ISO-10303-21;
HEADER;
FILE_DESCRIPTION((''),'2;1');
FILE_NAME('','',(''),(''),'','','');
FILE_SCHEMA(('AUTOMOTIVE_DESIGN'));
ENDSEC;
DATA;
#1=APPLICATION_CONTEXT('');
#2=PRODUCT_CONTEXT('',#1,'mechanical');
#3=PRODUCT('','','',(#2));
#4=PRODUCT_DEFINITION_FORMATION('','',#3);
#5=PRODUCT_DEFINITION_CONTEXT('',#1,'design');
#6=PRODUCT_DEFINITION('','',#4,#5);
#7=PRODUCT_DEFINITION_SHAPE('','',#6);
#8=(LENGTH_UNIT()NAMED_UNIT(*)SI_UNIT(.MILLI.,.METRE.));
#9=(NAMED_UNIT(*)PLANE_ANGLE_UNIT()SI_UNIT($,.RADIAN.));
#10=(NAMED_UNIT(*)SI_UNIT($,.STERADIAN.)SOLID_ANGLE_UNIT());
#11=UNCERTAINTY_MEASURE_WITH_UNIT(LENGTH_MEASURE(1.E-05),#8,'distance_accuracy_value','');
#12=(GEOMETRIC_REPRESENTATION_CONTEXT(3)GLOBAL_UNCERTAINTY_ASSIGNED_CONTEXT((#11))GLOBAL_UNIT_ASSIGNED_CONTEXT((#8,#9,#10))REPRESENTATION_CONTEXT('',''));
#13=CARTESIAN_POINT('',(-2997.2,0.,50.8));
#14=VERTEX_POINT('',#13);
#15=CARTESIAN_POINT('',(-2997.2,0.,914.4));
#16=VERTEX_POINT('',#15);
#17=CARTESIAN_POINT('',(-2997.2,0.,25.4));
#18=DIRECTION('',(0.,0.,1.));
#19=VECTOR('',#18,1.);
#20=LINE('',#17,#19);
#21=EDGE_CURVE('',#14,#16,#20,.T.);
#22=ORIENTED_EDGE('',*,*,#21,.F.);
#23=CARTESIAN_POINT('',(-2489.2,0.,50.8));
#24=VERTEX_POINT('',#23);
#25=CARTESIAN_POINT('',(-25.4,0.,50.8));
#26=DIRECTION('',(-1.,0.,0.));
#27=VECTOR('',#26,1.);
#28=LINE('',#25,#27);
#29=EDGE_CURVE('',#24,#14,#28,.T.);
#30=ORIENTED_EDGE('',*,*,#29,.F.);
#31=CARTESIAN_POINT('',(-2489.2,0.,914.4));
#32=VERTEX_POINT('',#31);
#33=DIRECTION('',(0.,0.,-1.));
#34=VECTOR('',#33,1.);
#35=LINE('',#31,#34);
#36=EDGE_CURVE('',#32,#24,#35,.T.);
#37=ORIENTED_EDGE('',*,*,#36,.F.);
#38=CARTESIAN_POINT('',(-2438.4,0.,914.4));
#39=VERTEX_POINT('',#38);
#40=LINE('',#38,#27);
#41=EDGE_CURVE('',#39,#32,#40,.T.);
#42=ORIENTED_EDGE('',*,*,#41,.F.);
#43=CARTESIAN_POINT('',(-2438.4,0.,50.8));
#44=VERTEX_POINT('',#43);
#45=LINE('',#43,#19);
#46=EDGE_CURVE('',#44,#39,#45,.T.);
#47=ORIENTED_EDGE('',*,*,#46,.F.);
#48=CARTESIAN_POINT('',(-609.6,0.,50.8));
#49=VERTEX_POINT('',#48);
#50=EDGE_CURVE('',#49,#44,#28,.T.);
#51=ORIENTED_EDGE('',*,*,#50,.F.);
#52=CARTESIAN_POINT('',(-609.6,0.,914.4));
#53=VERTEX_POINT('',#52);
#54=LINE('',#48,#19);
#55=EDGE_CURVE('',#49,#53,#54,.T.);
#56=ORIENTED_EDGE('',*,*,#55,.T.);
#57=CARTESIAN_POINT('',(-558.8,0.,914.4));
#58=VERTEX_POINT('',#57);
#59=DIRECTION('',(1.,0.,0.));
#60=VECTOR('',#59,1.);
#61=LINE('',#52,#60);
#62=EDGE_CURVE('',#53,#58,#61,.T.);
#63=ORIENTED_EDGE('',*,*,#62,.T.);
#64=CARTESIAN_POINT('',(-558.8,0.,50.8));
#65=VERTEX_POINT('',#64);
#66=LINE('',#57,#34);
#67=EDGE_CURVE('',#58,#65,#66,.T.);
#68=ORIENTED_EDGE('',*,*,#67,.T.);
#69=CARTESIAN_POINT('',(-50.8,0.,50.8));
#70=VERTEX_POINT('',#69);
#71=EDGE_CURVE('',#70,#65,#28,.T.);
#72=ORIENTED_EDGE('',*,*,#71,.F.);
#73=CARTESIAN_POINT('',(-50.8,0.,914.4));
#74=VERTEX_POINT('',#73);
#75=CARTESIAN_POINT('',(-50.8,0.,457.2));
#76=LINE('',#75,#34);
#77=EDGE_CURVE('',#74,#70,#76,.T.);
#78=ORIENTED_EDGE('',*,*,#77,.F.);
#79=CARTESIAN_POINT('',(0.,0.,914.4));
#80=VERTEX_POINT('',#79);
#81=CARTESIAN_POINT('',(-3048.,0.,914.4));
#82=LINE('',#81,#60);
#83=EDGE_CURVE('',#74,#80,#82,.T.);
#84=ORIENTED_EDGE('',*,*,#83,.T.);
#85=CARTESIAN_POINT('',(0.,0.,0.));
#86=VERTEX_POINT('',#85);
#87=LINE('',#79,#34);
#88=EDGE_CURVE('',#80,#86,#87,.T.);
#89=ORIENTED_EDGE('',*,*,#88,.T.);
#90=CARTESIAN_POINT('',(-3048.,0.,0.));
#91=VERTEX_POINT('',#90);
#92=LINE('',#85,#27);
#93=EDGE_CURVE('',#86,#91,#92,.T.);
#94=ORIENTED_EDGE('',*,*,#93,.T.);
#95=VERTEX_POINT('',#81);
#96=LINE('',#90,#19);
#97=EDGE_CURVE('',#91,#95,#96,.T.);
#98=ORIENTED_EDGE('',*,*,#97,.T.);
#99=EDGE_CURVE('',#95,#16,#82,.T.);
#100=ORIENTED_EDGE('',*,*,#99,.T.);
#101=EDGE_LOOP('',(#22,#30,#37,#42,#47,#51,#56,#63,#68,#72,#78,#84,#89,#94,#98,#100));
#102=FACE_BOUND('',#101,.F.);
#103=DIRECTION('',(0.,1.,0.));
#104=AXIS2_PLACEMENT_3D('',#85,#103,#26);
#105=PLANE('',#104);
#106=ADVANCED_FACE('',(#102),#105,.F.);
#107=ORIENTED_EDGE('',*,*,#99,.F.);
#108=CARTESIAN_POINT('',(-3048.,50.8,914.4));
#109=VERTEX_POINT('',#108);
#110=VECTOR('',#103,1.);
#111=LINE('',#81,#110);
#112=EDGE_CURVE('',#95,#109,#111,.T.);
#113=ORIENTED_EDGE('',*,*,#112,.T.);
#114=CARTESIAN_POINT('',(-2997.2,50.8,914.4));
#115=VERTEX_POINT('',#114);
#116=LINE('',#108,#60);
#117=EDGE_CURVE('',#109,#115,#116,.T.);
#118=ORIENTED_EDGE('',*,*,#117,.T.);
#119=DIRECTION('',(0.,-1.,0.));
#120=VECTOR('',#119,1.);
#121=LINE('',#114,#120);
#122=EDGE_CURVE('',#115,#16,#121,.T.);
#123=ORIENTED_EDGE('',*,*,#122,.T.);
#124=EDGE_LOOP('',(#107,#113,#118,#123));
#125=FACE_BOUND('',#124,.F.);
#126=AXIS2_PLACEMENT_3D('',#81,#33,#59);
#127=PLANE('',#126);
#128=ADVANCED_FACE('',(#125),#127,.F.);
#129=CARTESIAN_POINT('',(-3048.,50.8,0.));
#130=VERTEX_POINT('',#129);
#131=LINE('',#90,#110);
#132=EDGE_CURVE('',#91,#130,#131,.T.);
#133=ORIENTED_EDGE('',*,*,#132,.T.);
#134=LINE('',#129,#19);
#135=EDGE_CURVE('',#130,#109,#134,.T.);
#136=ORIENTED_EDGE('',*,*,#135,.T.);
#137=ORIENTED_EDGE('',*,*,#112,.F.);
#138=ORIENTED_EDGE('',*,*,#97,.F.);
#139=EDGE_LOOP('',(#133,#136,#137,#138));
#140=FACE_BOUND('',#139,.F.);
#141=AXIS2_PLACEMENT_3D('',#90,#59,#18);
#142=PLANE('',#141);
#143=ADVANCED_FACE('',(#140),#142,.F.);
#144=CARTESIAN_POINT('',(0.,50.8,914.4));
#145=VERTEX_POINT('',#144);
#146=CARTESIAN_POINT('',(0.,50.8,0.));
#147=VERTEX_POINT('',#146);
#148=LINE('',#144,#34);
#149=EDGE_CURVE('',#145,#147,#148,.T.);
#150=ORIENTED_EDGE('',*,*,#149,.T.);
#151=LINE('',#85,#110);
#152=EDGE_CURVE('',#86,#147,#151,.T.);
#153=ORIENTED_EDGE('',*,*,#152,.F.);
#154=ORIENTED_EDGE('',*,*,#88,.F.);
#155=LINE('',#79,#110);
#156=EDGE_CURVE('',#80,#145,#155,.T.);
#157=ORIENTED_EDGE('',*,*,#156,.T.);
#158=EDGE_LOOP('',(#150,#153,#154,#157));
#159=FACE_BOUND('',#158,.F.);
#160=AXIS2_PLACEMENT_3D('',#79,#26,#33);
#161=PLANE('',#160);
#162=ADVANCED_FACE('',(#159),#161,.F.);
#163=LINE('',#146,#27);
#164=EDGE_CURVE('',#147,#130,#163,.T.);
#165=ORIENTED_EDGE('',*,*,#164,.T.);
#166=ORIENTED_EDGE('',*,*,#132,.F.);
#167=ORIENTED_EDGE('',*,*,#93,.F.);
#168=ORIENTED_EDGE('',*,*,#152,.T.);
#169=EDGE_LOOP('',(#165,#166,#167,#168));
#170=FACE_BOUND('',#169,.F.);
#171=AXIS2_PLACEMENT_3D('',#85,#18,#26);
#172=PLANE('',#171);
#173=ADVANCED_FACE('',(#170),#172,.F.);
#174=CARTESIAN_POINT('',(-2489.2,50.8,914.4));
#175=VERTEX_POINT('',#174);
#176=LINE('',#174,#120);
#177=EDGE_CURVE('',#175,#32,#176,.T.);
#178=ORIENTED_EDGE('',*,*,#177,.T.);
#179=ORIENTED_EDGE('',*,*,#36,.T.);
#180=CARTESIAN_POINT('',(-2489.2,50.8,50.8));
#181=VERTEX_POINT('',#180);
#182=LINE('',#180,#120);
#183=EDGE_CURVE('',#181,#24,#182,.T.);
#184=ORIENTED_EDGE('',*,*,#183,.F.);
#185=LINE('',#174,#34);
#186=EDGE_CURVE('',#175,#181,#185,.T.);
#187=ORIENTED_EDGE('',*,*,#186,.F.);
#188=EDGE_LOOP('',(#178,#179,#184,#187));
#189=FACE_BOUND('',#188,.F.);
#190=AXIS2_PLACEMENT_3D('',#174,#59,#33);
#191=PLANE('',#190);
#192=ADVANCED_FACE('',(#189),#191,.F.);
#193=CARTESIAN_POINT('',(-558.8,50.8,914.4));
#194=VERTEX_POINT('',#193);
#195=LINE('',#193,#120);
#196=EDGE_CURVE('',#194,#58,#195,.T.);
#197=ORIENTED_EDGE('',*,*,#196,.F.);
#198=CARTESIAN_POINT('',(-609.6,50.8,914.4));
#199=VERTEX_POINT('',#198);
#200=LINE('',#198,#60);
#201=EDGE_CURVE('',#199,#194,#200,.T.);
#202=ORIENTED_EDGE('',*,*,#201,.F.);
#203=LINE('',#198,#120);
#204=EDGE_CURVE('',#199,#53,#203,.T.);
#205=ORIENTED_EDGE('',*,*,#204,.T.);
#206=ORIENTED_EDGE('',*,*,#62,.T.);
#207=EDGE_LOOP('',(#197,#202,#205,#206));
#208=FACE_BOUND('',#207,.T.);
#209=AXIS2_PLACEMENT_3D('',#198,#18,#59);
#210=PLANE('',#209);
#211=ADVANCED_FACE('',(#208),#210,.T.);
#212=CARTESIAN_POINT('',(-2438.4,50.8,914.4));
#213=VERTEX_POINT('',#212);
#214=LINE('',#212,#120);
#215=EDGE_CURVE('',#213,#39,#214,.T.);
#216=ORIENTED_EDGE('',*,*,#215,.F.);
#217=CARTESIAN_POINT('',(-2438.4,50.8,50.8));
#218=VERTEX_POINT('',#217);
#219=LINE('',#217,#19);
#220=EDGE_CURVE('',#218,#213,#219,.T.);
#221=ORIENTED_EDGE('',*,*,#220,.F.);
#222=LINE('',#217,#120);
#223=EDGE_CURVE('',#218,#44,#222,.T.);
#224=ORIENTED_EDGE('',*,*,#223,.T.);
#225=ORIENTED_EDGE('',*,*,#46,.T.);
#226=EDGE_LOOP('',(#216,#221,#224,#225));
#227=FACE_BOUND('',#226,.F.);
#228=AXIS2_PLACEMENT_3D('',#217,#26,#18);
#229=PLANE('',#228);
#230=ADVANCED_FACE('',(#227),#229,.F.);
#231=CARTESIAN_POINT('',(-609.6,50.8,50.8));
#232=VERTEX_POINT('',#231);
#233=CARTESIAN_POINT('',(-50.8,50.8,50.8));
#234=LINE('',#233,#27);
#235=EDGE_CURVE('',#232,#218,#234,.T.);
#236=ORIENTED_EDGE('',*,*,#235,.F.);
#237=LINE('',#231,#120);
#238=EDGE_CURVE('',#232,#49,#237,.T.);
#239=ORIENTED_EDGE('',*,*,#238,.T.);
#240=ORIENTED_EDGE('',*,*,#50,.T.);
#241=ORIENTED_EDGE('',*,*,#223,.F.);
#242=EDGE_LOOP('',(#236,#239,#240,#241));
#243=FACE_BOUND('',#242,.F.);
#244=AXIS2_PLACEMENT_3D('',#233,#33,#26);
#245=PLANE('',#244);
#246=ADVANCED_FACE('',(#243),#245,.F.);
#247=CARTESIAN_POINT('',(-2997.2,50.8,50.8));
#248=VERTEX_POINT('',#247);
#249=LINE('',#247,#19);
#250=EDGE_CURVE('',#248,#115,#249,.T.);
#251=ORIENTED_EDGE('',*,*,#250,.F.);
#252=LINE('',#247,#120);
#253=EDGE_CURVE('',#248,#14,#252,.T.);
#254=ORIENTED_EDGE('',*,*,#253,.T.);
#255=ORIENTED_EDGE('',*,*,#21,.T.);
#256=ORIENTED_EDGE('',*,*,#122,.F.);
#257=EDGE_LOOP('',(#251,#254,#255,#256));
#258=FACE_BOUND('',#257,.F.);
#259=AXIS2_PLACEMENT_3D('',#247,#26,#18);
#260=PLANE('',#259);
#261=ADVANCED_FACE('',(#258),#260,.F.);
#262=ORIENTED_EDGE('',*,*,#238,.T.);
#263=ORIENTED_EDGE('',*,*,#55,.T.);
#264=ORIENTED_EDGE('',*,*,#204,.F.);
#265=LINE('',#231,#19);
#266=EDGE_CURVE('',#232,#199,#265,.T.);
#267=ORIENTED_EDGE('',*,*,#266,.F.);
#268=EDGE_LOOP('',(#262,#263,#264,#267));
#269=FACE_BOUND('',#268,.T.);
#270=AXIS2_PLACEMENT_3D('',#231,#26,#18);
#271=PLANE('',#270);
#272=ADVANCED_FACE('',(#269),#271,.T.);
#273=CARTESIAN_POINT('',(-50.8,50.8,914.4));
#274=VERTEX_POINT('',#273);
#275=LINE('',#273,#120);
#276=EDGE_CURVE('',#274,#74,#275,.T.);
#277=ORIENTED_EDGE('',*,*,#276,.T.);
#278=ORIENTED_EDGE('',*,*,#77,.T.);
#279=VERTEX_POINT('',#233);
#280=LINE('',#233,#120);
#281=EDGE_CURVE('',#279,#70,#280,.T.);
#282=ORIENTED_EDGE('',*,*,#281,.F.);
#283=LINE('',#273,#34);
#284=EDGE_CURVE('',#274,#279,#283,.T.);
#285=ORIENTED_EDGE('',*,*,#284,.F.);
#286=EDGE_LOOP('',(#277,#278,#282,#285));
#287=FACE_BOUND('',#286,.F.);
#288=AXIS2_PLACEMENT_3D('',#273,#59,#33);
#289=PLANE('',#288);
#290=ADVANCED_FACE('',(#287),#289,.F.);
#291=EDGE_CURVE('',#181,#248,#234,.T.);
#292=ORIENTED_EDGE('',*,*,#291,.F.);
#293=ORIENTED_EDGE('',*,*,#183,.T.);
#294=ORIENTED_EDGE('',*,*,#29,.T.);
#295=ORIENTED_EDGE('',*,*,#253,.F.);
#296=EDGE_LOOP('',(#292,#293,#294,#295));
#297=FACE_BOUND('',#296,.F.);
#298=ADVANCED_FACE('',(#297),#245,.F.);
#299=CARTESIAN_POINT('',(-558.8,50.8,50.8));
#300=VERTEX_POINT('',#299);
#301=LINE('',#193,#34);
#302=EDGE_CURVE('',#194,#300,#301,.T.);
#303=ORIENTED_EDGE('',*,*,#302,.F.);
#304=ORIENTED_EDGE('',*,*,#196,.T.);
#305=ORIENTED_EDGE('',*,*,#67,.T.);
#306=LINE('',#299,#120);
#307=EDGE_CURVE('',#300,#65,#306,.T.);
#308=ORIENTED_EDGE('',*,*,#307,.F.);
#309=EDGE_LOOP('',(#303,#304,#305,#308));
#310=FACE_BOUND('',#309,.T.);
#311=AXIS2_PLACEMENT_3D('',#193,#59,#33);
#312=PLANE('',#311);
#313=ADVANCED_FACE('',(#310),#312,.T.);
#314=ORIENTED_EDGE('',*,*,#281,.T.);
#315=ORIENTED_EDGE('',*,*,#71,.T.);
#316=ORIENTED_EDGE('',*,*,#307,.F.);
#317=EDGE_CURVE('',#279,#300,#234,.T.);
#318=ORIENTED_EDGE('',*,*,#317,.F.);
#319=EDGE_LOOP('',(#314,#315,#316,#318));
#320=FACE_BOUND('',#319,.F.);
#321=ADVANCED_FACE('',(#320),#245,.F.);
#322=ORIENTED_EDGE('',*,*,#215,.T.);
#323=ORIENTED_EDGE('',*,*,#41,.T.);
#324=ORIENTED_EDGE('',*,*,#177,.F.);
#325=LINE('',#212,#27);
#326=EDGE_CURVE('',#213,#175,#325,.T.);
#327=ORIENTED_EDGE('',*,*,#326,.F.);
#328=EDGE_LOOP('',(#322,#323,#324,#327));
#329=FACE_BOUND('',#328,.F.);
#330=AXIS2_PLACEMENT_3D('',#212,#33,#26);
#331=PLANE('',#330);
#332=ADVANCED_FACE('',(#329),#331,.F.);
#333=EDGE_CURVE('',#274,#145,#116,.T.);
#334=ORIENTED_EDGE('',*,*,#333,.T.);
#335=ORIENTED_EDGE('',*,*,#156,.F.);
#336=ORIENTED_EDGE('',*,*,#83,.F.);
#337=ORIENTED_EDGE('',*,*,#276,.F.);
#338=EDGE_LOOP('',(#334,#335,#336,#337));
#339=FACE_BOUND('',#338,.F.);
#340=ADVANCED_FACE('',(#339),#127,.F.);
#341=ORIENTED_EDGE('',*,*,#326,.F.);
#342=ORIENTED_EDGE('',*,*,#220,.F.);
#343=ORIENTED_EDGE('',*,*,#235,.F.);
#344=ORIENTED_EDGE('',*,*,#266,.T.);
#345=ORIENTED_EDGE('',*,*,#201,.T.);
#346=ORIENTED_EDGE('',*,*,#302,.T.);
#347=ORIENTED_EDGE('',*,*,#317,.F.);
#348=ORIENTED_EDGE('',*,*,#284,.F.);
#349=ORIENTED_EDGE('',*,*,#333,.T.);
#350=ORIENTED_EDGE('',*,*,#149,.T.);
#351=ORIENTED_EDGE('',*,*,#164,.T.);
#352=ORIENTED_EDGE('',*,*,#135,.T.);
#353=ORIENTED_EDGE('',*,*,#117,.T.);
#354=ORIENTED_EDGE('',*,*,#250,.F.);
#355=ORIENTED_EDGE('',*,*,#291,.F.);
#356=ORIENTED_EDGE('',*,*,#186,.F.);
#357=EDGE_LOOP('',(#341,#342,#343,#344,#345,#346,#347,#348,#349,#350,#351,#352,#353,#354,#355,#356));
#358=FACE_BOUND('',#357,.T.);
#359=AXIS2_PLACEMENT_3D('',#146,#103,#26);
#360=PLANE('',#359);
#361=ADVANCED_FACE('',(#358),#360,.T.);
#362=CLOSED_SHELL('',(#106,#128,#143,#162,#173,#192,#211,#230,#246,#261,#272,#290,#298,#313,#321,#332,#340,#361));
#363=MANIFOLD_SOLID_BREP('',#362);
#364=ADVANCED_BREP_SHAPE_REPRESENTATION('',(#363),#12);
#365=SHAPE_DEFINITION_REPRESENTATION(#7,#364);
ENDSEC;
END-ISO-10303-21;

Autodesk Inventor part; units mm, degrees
ref_plane "YZ Plane" through (0, 0, 0) normal (1, 0, 0) x (0, 1, 0)
ref_plane "XZ Plane" through (0, 0, 0) normal (0, 1, 0) x (-1, 0, 0)
ref_plane "XY Plane" through (0, 0, 0) normal (0, 0, 1) x (1, 0, 0)
sketch "Sketch1" plane through (0, 0, 0) normal (0, 1, 0) x (-1, 0, 0)
  line L0 (0, 0) -> (3048, 0)
  line L1 (3048, 0) -> (3048, 914.4)
  line L2 (3048, 914.4) -> (0, 914.4)
  line L3 (0, 914.4) -> (0, 0)
  dimension "d0" = 3048
  dimension "d1" = 914.4
extrude "Extrusion1" add sketch "Sketch1" along normal blind 50.8
sketch "Sketch2" plane through (0, 50.8, 0) normal (0, 1, 0) x (1, 0, 0)
  line L0 (-3048, -914.4) -> (0, -914.4) projected
  line L1 (-2997.2, -914.4) -> (-50.8, -914.4)
  line L2 (-50.8, -914.4) -> (-50.8, -50.8)
  line L3 (-50.8, -50.8) -> (-2997.2, -50.8)
  line L4 (-2997.2, -50.8) -> (-2997.2, -914.4)
  dimension "d4" = 2946.4
  dimension "d5" = 863.6
extrude "Extrusion2" cut sketch "Sketch2" against normal blind 442.9125
sketch "Sketch3" plane through (0, 50.8, 0) normal (0, 1, 0) x (1, 0, 0)
  line L0 (-50.8, -50.8) -> (-50.8, -914.4) projected
  line L1 (-2997.2, -914.4) -> (-2997.2, -50.8) projected
  line L2 (-2997.2, -50.8) -> (-50.8, -50.8) projected
  line L3 (-558.8, -50.8) -> (-609.6, -50.8)
  line L4 (-609.6, -50.8) -> (-609.6, -914.4)
  line L5 (-609.6, -914.4) -> (-558.8, -914.4)
  line L6 (-558.8, -914.4) -> (-558.8, -50.8)
  line L7 (-2489.2, -50.8) -> (-2438.4, -50.8)
  line L8 (-2438.4, -50.8) -> (-2438.4, -914.4)
  line L9 (-2438.4, -914.4) -> (-2489.2, -914.4)
  line L10 (-2489.2, -914.4) -> (-2489.2, -50.8)
  dimension "d8" = 50.8
  dimension "d9" = 50.8
  dimension "d10" = 508
  dimension "d11" = 508
extrude "Extrusion3" add sketch "Sketch3" against normal blind 50.8
properties part number "banner holder"
